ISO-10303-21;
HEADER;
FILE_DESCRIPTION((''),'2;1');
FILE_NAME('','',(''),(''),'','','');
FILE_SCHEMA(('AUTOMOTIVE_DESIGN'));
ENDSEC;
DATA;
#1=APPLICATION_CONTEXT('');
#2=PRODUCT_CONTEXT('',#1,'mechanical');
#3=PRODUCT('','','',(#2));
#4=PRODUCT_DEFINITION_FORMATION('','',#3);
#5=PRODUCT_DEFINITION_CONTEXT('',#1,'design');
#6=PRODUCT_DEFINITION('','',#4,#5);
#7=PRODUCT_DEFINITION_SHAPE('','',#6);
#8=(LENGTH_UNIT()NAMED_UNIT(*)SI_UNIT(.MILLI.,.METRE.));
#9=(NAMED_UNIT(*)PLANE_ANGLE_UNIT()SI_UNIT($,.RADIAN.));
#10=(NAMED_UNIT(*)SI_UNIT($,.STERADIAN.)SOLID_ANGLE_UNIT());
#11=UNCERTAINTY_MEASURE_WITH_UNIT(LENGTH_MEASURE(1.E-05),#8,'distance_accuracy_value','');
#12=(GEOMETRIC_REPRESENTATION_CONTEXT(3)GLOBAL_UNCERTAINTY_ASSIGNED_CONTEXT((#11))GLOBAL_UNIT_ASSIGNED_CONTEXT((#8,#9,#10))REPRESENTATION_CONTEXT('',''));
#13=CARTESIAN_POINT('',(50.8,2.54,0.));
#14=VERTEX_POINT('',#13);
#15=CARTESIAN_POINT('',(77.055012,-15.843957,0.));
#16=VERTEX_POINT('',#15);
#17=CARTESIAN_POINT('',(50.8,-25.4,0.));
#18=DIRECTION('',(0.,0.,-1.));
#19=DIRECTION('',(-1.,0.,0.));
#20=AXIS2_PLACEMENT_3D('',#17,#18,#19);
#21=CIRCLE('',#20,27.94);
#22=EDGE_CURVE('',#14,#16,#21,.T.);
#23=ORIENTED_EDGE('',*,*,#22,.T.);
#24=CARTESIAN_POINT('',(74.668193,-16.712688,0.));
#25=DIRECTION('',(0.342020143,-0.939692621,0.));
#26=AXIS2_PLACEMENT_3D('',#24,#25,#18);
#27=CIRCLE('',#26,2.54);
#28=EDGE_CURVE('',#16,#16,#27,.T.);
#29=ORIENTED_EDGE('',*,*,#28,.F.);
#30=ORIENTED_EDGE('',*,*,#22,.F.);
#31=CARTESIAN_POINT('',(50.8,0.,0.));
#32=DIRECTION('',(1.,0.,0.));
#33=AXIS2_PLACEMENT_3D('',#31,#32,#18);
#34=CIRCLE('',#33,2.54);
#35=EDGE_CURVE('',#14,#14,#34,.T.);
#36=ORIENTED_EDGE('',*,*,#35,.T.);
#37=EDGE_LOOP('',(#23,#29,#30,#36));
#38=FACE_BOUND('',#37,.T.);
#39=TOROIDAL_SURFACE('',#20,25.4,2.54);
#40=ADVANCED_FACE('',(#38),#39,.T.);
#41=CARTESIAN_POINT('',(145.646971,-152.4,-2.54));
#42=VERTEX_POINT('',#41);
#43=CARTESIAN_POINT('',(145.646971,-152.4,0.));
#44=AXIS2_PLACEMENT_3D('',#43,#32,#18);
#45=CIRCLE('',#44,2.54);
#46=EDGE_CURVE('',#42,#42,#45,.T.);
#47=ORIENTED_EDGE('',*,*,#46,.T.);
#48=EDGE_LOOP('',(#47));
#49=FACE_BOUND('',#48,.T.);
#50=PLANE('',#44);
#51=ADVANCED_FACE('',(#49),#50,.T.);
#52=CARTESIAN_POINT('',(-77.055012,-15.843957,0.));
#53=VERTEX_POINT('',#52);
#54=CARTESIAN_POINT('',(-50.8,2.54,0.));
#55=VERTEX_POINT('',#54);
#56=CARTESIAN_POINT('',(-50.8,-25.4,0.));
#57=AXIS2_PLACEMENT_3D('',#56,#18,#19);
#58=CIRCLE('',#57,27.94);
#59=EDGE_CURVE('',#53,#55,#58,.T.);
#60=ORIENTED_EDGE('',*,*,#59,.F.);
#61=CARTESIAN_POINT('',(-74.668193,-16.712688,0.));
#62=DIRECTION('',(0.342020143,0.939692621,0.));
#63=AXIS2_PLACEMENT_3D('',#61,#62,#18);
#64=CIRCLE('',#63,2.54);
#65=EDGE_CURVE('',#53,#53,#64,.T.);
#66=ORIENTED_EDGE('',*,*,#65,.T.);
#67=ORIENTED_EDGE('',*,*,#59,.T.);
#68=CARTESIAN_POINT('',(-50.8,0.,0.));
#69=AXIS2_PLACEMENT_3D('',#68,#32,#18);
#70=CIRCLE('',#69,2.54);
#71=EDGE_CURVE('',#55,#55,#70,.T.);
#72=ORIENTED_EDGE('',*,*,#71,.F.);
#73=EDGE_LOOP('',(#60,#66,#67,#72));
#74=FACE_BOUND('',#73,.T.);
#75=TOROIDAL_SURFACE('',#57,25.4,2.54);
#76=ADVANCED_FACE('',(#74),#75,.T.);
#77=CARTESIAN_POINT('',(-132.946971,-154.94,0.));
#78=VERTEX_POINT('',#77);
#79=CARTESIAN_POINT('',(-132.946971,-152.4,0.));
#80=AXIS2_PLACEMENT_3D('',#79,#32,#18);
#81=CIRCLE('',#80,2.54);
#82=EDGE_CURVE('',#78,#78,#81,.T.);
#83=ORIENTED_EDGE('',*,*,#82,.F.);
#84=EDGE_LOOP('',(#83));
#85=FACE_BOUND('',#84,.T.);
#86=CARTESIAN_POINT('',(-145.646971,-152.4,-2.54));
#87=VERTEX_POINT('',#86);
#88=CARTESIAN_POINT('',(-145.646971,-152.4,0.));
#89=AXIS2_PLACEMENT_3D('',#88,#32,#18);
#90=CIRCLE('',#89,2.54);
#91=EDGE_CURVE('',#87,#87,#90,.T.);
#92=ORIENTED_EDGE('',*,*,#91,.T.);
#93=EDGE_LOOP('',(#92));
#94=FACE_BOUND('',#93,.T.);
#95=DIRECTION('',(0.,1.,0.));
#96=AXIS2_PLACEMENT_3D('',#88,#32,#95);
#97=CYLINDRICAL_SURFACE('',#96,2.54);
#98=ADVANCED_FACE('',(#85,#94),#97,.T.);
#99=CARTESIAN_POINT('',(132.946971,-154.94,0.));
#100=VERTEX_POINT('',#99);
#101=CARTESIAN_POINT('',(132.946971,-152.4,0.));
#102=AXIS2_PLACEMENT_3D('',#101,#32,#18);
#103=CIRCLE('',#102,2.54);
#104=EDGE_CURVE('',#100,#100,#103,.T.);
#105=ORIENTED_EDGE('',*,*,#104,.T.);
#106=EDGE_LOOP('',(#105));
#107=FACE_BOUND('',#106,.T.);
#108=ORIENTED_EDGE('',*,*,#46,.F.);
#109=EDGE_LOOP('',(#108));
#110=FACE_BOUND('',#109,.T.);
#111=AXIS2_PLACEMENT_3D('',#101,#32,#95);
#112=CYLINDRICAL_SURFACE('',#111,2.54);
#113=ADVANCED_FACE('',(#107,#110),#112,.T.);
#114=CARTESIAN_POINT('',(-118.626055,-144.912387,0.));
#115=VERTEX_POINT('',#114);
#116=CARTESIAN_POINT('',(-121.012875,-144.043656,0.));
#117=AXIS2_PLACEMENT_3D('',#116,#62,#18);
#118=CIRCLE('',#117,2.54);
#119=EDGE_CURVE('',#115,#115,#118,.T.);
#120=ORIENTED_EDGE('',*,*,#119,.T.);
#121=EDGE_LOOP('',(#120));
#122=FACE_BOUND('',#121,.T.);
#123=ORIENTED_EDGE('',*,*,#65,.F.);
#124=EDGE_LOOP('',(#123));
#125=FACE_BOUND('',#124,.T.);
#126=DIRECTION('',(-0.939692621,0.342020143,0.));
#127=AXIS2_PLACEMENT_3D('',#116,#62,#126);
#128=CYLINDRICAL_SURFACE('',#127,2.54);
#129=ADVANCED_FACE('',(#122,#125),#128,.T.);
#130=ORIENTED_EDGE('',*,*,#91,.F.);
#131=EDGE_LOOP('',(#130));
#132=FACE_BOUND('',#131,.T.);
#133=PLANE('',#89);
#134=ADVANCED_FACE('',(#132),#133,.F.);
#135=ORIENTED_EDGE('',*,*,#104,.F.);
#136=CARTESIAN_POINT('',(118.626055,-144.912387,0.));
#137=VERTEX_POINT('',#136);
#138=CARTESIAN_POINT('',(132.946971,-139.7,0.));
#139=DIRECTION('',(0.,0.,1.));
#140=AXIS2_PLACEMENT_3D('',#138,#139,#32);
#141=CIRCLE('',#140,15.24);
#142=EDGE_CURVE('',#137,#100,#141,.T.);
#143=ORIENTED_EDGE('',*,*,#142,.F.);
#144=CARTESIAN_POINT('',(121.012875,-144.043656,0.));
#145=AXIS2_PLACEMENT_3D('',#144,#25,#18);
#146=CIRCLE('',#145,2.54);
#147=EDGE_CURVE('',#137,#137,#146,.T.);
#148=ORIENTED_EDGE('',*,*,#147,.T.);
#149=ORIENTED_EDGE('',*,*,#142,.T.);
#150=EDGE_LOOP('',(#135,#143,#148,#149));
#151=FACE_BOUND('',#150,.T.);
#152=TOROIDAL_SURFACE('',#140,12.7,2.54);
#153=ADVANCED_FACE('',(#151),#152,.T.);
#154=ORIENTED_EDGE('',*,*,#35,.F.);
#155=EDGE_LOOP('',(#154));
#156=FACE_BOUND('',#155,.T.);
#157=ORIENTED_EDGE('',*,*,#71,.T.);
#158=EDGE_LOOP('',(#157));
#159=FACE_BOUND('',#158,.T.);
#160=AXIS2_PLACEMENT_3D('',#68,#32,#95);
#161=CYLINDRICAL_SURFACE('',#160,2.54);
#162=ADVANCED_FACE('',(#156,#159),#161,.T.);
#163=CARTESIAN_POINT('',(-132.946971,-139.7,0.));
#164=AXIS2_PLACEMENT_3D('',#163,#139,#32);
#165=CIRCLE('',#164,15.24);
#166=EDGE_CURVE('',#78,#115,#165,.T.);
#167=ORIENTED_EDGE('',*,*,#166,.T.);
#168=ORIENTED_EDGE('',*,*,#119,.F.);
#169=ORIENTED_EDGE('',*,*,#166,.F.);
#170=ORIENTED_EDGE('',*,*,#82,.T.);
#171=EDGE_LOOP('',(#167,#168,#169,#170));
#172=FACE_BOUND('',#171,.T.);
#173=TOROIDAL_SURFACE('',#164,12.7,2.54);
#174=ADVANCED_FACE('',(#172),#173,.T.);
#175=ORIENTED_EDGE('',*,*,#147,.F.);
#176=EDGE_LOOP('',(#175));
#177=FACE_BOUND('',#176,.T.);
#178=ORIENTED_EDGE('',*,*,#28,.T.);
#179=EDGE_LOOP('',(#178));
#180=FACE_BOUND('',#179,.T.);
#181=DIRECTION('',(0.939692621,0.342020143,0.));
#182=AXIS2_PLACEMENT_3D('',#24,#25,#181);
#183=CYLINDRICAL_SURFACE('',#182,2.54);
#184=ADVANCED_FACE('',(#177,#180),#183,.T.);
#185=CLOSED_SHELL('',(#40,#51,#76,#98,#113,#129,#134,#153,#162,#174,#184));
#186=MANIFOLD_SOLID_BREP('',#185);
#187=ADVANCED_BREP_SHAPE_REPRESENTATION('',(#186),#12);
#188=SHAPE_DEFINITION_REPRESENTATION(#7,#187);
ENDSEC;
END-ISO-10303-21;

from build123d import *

# Parameters (mm, degrees)
SKETCH1_R = 2.54


with BuildPart() as part:
    # Sweep1: sweep along a path in Sketch2
    with BuildLine(Plane.XY) as sweep1_path:
        Line((145.646970908, -152.4), (132.946970908, -152.4))
        ThreePointArc((132.946970908, -152.4), (125.662550166, -150.103230962), (121.012874624, -144.04365582))
        Line((121.012874624, -144.04365582), (74.668192568, -16.71268836))
        ThreePointArc((74.668192568, -16.71268836), (65.368841483, -4.593538075), (50.8, 0))
        Line((50.8, 0), (-50.8, 0))
        ThreePointArc((-50.8, 0), (-65.368841483, -4.593538075), (-74.668192568, -16.71268836))
        Line((-74.668192568, -16.71268836), (-121.012874624, -144.04365582))
        ThreePointArc((-121.012874624, -144.04365582), (-125.662550166, -150.103230962), (-132.946970908, -152.4))
        Line((-132.946970908, -152.4), (-145.646970908, -152.4))
    # Sketch1 → Sweep1 (sweep)
    with BuildSketch(Plane(origin=(0, 0, 0), x_dir=(0, 0, -1), z_dir=(1, 0, 0))):
        Circle(SKETCH1_R)
    sweep(path=sweep1_path.line)


solid = part.part
